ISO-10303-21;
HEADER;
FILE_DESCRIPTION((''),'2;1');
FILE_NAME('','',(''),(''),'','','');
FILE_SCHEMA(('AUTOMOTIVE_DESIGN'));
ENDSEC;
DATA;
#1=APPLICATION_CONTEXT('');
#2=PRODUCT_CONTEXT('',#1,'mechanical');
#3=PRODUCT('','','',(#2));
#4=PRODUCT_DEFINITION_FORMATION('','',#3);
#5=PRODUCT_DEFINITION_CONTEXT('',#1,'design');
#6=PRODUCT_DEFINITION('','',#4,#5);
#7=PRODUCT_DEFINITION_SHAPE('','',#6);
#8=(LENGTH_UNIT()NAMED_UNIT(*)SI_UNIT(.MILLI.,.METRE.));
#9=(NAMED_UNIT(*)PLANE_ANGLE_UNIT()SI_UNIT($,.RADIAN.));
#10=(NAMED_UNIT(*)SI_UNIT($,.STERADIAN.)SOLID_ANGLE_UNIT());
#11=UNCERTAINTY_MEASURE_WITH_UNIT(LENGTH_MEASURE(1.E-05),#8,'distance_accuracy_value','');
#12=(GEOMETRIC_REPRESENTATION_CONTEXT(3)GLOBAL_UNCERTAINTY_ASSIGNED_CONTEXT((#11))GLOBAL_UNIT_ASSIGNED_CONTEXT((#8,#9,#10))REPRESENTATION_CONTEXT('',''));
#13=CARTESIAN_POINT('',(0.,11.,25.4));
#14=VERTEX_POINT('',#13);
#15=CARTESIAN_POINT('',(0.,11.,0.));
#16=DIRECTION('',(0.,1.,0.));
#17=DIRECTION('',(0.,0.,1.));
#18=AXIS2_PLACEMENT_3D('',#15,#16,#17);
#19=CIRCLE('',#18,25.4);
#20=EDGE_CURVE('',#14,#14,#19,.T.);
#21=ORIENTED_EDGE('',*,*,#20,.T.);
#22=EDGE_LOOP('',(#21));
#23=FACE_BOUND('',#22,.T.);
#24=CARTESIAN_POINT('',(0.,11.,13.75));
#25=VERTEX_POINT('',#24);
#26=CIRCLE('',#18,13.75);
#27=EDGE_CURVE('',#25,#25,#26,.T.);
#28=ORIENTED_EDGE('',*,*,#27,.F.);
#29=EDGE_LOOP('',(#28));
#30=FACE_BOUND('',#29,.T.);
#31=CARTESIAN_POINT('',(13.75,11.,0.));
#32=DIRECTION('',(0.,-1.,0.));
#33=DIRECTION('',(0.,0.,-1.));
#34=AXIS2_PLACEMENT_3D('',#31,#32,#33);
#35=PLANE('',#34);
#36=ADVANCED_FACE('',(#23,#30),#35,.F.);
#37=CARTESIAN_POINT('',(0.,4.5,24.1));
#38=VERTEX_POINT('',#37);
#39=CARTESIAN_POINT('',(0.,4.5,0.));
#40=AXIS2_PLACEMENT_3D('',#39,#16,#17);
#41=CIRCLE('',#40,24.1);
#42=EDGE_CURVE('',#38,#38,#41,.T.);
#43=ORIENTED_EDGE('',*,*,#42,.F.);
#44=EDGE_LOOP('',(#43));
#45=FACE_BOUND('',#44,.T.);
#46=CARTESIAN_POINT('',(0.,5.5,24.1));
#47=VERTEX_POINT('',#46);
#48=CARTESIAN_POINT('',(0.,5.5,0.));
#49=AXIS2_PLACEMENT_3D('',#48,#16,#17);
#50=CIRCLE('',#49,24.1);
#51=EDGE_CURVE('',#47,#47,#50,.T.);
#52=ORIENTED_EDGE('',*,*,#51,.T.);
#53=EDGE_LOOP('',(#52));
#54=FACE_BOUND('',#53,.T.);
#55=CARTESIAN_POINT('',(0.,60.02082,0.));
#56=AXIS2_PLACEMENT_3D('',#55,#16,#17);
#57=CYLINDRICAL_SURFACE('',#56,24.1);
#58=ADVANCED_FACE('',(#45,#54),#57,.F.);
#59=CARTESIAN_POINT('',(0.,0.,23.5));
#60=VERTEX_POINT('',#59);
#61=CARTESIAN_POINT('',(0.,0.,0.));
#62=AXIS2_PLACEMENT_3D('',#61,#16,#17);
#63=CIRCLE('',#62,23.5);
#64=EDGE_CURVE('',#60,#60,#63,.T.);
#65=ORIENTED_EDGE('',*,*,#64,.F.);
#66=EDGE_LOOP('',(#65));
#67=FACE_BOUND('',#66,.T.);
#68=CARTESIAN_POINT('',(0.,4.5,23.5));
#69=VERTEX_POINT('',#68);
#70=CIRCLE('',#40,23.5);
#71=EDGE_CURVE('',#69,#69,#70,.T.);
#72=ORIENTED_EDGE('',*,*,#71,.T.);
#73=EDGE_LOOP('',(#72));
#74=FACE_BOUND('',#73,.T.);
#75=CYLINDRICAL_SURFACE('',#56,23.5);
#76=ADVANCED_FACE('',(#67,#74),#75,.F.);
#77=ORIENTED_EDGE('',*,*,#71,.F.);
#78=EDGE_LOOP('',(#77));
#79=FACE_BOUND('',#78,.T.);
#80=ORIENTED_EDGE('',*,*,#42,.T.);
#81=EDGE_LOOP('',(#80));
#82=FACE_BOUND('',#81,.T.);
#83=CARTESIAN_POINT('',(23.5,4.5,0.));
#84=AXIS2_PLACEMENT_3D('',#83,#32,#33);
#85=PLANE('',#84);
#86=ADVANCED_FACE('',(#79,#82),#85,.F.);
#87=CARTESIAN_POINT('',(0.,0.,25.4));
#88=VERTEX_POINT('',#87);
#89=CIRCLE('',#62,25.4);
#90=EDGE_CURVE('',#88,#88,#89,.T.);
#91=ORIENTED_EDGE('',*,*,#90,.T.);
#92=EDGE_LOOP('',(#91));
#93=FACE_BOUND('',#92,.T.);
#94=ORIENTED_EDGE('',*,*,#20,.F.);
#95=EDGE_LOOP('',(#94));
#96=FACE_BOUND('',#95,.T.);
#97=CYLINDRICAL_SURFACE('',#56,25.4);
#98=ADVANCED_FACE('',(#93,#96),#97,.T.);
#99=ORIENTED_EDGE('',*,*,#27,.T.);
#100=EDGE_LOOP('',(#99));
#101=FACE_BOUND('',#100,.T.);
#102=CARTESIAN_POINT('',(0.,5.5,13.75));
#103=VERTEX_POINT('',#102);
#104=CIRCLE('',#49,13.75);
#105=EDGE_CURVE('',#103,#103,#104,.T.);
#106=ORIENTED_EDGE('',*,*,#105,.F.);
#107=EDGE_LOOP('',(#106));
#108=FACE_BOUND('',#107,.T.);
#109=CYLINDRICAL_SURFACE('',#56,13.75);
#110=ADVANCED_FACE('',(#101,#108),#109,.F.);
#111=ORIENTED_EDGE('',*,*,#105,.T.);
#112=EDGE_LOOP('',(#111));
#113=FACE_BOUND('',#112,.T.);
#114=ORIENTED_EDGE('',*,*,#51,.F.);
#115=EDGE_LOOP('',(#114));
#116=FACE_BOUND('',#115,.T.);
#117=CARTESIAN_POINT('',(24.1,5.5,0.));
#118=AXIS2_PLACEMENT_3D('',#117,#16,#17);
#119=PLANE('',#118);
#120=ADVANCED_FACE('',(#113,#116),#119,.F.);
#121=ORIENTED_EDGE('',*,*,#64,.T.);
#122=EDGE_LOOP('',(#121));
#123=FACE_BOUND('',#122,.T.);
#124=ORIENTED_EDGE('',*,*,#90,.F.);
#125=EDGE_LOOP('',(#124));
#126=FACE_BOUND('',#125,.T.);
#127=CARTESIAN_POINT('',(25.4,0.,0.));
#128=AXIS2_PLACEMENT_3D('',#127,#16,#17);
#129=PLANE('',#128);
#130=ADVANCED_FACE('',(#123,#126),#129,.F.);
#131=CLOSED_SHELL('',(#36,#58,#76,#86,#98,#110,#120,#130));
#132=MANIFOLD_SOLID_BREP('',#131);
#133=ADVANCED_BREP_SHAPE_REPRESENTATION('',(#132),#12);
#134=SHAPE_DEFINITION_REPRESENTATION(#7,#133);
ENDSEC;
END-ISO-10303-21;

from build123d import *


with BuildPart() as part:
    # 草图1 → 旋转1 (revolve)
    with BuildSketch(Plane.XY, mode=Mode.PRIVATE) as revolve_1_sk:
        Polygon((23.5, 0), (23.5, 4.5), (24.1, 4.5), (24.1, 5.5), (13.75, 5.5), (13.75, 11), (25.4, 11), (25.4, 0), align=None)
    revolve(revolve_1_sk.sketch.rotate(Axis((0, 60.020820414, 0), (0, -1, 0)), 90), axis=Axis((0, 60.020820414, 0), (0, -1, 0)))  # turned: the seam where the file's is


solid = part.part
